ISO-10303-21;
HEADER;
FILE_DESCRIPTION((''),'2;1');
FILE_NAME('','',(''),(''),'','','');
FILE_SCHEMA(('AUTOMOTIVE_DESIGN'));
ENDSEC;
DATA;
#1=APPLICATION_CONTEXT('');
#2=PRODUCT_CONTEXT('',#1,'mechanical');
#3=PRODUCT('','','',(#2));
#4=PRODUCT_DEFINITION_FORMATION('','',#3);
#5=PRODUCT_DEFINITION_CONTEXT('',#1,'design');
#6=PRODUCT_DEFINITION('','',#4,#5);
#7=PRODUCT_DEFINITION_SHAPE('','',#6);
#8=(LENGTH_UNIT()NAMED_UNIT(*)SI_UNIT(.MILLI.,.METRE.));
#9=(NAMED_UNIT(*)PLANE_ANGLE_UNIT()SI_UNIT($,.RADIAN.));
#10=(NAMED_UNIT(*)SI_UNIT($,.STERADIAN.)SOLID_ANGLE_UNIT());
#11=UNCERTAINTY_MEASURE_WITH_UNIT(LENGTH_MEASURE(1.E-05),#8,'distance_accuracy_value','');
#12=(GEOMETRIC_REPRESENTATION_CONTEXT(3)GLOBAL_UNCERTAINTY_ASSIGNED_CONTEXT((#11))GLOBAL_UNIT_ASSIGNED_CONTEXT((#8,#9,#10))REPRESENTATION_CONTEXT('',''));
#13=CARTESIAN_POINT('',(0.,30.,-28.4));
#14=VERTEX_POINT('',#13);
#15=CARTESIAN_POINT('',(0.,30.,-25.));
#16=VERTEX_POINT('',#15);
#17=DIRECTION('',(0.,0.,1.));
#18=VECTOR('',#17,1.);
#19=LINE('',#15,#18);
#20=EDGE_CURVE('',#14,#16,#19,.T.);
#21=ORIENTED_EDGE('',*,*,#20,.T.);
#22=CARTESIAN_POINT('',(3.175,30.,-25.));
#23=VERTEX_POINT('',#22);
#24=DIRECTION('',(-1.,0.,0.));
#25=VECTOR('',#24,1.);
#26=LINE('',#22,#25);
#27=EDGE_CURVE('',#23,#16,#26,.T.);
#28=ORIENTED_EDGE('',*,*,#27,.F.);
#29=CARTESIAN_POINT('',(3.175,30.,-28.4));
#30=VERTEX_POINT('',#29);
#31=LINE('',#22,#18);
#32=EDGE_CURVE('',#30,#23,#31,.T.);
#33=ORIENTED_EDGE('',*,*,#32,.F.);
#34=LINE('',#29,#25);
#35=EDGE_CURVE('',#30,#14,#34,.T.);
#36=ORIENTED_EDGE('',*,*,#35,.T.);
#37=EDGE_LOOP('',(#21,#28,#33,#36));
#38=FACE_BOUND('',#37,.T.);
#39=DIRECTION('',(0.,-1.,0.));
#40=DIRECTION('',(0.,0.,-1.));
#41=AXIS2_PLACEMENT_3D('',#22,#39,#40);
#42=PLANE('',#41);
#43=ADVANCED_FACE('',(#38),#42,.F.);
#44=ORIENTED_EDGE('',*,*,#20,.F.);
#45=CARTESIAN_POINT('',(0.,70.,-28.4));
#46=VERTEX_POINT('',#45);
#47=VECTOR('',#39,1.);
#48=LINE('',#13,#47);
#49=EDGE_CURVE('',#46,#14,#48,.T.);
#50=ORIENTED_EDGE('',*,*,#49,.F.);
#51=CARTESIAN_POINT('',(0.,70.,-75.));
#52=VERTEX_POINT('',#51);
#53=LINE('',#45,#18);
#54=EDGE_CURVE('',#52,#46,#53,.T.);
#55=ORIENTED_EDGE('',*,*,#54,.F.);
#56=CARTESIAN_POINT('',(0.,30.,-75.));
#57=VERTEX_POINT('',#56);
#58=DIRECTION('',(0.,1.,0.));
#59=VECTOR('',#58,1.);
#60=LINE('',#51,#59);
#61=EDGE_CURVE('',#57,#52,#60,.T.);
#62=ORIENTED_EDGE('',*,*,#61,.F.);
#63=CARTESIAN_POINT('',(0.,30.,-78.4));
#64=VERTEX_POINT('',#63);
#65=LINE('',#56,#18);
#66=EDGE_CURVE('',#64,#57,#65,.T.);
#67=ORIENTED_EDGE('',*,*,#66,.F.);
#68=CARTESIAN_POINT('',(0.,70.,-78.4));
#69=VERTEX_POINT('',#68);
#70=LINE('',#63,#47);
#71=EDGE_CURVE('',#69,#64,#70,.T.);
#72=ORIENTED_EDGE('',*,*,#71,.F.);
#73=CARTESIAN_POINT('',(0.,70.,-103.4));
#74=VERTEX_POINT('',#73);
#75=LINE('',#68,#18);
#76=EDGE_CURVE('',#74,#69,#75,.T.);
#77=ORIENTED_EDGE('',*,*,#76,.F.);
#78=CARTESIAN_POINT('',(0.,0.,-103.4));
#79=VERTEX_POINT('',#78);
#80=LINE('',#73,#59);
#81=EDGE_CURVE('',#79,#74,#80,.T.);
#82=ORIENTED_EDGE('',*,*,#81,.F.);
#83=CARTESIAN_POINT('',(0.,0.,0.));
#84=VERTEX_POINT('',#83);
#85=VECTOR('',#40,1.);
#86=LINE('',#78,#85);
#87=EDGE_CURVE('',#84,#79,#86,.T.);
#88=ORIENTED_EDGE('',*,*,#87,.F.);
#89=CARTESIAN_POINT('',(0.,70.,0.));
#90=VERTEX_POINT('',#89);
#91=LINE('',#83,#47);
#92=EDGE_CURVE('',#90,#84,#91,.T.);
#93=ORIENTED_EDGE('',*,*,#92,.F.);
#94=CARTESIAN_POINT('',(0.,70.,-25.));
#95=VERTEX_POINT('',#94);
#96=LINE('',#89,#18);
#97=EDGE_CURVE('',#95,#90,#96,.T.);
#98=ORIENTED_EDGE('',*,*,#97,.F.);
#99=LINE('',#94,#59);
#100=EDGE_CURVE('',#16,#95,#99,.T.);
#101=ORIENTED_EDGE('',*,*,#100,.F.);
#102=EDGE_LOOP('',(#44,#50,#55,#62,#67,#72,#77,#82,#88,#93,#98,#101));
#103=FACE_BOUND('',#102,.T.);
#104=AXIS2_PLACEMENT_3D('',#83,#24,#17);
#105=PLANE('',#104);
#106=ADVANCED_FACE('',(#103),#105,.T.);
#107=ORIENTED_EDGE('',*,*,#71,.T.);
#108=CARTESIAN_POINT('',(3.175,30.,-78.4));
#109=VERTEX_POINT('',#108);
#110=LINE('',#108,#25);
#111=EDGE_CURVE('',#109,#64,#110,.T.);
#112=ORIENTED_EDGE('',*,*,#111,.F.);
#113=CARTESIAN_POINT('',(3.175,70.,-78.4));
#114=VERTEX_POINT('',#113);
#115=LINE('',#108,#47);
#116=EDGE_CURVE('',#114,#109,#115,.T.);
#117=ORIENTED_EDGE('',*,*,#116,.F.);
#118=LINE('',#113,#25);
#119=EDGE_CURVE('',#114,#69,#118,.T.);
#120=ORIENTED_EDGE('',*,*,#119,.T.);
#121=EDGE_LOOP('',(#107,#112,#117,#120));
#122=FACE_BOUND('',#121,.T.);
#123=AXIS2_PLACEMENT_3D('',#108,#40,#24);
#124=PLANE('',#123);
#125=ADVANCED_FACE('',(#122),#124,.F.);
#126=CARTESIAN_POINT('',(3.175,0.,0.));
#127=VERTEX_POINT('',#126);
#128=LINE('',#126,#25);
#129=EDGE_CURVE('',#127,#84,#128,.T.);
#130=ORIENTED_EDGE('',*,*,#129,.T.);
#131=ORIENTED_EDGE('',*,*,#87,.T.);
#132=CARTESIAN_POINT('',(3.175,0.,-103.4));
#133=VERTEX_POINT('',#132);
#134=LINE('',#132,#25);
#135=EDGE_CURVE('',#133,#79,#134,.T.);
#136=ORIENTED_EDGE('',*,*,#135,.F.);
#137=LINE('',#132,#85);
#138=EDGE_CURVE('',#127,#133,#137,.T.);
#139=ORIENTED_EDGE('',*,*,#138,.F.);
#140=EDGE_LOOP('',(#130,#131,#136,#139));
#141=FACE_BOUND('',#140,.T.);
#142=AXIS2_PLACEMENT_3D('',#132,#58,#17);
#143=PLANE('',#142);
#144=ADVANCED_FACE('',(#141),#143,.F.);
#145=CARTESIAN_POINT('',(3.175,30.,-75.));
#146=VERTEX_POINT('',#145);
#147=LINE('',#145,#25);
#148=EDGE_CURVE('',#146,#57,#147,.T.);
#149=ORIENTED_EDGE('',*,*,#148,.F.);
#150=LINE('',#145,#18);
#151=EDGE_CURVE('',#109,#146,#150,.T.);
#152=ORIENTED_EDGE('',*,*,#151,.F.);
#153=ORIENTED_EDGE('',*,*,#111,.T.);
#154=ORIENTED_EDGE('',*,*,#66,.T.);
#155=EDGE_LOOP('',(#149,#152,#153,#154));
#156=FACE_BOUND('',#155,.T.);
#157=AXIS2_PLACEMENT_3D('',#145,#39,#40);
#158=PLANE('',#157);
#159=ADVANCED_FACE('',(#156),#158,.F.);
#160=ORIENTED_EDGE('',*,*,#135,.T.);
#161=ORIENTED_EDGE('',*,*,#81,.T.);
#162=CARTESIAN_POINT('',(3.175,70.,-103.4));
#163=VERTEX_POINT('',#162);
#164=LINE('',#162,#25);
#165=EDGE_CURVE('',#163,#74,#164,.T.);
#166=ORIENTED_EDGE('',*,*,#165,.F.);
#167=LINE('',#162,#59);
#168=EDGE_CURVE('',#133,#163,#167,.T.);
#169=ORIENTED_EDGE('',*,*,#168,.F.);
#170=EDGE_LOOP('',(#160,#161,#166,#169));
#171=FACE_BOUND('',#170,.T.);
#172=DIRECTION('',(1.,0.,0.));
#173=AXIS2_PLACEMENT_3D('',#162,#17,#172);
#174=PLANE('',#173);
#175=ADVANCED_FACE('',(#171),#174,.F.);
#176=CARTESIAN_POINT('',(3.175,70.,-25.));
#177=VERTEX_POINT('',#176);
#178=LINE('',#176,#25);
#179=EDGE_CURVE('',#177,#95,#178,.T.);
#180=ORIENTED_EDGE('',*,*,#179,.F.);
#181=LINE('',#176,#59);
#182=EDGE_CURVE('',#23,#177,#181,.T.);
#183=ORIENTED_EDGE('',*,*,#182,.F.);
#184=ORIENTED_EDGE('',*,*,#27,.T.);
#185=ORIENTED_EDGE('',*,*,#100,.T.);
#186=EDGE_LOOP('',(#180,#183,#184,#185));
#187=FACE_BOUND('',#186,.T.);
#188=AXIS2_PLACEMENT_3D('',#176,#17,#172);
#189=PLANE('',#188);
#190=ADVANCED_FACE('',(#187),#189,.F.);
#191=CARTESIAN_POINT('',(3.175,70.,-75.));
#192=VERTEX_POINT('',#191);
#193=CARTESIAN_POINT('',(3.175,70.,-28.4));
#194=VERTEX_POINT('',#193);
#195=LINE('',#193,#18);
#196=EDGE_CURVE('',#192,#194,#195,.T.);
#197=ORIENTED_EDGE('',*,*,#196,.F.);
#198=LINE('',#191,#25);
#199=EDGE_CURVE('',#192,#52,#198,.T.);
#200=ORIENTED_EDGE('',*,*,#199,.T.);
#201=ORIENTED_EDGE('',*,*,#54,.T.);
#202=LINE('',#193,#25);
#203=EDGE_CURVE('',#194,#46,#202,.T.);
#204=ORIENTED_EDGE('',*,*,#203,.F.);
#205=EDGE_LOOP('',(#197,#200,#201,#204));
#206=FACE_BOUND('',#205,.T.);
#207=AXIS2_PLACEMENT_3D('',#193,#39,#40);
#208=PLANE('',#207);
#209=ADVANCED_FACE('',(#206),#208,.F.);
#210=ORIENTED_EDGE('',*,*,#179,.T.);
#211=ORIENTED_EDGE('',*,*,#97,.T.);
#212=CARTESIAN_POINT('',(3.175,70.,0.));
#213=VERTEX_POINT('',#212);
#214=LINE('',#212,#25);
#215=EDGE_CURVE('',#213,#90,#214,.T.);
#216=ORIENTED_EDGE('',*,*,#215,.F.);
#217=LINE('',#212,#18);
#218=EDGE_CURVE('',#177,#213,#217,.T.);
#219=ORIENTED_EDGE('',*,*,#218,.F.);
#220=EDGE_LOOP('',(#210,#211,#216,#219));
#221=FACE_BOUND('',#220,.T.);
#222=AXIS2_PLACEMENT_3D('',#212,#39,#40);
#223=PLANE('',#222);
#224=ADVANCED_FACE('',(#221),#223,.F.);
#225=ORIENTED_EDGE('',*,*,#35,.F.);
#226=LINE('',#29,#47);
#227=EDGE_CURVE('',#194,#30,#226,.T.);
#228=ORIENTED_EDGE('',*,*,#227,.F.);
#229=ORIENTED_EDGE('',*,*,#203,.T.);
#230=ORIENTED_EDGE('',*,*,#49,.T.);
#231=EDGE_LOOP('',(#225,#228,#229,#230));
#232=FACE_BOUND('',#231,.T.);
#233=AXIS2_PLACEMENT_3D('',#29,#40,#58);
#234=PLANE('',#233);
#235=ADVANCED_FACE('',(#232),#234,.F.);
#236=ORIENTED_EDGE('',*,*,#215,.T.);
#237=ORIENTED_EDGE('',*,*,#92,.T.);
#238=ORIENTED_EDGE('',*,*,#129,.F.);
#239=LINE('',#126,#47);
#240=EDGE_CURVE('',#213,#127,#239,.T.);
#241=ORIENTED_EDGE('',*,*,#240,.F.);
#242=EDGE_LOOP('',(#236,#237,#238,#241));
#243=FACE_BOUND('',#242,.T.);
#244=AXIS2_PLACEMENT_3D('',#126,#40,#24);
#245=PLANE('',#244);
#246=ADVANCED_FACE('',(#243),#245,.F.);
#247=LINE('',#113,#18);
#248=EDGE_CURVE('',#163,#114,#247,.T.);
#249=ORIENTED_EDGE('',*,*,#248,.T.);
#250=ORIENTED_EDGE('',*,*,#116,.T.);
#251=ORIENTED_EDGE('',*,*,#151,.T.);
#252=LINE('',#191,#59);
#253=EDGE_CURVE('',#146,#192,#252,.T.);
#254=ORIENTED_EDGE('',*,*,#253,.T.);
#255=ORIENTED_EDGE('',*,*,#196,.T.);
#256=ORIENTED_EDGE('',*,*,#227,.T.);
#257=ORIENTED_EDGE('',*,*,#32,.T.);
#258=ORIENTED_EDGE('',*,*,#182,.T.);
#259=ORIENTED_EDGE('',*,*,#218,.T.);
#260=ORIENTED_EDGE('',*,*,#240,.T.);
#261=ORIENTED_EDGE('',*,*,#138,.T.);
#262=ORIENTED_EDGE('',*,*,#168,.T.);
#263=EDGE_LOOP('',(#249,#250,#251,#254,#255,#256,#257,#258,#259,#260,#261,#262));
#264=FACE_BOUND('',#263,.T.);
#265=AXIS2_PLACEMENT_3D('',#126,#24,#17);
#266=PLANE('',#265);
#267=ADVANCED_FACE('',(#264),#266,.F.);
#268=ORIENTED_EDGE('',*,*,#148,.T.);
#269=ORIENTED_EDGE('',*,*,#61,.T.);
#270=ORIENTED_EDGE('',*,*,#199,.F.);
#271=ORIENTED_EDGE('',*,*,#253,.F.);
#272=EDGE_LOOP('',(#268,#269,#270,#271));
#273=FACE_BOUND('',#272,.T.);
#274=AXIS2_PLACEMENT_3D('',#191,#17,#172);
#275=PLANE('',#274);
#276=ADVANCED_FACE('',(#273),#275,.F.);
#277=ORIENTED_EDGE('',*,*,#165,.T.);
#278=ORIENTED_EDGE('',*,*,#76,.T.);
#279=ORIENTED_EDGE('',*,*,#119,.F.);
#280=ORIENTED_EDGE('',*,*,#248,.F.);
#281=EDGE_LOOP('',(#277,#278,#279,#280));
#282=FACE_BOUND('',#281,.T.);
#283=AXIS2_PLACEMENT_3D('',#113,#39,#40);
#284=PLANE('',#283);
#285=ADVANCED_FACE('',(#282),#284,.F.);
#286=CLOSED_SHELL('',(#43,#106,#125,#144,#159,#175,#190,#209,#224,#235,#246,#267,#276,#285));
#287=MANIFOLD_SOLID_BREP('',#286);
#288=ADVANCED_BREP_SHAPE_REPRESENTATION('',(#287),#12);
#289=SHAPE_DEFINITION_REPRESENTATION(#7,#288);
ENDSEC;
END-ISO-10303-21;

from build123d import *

# Parameters (mm, degrees)
BOSS_EXTRUDE1_DEPTH = 3.175


with BuildPart() as part:
    # Sketch1 → Boss-Extrude1 (new body)
    with BuildSketch(Plane(origin=(0, 0, 0), x_dir=(0, 0, -1), z_dir=(1, 0, 0))):
        Polygon((0, 0), (0, 70), (25, 70), (25, 30), (28.4, 30), (28.4, 70), (75, 70), (75, 30), (78.4, 30), (78.4, 70), (103.4, 70), (103.4, 0), align=None)
    extrude(amount=BOSS_EXTRUDE1_DEPTH)


solid = part.part
